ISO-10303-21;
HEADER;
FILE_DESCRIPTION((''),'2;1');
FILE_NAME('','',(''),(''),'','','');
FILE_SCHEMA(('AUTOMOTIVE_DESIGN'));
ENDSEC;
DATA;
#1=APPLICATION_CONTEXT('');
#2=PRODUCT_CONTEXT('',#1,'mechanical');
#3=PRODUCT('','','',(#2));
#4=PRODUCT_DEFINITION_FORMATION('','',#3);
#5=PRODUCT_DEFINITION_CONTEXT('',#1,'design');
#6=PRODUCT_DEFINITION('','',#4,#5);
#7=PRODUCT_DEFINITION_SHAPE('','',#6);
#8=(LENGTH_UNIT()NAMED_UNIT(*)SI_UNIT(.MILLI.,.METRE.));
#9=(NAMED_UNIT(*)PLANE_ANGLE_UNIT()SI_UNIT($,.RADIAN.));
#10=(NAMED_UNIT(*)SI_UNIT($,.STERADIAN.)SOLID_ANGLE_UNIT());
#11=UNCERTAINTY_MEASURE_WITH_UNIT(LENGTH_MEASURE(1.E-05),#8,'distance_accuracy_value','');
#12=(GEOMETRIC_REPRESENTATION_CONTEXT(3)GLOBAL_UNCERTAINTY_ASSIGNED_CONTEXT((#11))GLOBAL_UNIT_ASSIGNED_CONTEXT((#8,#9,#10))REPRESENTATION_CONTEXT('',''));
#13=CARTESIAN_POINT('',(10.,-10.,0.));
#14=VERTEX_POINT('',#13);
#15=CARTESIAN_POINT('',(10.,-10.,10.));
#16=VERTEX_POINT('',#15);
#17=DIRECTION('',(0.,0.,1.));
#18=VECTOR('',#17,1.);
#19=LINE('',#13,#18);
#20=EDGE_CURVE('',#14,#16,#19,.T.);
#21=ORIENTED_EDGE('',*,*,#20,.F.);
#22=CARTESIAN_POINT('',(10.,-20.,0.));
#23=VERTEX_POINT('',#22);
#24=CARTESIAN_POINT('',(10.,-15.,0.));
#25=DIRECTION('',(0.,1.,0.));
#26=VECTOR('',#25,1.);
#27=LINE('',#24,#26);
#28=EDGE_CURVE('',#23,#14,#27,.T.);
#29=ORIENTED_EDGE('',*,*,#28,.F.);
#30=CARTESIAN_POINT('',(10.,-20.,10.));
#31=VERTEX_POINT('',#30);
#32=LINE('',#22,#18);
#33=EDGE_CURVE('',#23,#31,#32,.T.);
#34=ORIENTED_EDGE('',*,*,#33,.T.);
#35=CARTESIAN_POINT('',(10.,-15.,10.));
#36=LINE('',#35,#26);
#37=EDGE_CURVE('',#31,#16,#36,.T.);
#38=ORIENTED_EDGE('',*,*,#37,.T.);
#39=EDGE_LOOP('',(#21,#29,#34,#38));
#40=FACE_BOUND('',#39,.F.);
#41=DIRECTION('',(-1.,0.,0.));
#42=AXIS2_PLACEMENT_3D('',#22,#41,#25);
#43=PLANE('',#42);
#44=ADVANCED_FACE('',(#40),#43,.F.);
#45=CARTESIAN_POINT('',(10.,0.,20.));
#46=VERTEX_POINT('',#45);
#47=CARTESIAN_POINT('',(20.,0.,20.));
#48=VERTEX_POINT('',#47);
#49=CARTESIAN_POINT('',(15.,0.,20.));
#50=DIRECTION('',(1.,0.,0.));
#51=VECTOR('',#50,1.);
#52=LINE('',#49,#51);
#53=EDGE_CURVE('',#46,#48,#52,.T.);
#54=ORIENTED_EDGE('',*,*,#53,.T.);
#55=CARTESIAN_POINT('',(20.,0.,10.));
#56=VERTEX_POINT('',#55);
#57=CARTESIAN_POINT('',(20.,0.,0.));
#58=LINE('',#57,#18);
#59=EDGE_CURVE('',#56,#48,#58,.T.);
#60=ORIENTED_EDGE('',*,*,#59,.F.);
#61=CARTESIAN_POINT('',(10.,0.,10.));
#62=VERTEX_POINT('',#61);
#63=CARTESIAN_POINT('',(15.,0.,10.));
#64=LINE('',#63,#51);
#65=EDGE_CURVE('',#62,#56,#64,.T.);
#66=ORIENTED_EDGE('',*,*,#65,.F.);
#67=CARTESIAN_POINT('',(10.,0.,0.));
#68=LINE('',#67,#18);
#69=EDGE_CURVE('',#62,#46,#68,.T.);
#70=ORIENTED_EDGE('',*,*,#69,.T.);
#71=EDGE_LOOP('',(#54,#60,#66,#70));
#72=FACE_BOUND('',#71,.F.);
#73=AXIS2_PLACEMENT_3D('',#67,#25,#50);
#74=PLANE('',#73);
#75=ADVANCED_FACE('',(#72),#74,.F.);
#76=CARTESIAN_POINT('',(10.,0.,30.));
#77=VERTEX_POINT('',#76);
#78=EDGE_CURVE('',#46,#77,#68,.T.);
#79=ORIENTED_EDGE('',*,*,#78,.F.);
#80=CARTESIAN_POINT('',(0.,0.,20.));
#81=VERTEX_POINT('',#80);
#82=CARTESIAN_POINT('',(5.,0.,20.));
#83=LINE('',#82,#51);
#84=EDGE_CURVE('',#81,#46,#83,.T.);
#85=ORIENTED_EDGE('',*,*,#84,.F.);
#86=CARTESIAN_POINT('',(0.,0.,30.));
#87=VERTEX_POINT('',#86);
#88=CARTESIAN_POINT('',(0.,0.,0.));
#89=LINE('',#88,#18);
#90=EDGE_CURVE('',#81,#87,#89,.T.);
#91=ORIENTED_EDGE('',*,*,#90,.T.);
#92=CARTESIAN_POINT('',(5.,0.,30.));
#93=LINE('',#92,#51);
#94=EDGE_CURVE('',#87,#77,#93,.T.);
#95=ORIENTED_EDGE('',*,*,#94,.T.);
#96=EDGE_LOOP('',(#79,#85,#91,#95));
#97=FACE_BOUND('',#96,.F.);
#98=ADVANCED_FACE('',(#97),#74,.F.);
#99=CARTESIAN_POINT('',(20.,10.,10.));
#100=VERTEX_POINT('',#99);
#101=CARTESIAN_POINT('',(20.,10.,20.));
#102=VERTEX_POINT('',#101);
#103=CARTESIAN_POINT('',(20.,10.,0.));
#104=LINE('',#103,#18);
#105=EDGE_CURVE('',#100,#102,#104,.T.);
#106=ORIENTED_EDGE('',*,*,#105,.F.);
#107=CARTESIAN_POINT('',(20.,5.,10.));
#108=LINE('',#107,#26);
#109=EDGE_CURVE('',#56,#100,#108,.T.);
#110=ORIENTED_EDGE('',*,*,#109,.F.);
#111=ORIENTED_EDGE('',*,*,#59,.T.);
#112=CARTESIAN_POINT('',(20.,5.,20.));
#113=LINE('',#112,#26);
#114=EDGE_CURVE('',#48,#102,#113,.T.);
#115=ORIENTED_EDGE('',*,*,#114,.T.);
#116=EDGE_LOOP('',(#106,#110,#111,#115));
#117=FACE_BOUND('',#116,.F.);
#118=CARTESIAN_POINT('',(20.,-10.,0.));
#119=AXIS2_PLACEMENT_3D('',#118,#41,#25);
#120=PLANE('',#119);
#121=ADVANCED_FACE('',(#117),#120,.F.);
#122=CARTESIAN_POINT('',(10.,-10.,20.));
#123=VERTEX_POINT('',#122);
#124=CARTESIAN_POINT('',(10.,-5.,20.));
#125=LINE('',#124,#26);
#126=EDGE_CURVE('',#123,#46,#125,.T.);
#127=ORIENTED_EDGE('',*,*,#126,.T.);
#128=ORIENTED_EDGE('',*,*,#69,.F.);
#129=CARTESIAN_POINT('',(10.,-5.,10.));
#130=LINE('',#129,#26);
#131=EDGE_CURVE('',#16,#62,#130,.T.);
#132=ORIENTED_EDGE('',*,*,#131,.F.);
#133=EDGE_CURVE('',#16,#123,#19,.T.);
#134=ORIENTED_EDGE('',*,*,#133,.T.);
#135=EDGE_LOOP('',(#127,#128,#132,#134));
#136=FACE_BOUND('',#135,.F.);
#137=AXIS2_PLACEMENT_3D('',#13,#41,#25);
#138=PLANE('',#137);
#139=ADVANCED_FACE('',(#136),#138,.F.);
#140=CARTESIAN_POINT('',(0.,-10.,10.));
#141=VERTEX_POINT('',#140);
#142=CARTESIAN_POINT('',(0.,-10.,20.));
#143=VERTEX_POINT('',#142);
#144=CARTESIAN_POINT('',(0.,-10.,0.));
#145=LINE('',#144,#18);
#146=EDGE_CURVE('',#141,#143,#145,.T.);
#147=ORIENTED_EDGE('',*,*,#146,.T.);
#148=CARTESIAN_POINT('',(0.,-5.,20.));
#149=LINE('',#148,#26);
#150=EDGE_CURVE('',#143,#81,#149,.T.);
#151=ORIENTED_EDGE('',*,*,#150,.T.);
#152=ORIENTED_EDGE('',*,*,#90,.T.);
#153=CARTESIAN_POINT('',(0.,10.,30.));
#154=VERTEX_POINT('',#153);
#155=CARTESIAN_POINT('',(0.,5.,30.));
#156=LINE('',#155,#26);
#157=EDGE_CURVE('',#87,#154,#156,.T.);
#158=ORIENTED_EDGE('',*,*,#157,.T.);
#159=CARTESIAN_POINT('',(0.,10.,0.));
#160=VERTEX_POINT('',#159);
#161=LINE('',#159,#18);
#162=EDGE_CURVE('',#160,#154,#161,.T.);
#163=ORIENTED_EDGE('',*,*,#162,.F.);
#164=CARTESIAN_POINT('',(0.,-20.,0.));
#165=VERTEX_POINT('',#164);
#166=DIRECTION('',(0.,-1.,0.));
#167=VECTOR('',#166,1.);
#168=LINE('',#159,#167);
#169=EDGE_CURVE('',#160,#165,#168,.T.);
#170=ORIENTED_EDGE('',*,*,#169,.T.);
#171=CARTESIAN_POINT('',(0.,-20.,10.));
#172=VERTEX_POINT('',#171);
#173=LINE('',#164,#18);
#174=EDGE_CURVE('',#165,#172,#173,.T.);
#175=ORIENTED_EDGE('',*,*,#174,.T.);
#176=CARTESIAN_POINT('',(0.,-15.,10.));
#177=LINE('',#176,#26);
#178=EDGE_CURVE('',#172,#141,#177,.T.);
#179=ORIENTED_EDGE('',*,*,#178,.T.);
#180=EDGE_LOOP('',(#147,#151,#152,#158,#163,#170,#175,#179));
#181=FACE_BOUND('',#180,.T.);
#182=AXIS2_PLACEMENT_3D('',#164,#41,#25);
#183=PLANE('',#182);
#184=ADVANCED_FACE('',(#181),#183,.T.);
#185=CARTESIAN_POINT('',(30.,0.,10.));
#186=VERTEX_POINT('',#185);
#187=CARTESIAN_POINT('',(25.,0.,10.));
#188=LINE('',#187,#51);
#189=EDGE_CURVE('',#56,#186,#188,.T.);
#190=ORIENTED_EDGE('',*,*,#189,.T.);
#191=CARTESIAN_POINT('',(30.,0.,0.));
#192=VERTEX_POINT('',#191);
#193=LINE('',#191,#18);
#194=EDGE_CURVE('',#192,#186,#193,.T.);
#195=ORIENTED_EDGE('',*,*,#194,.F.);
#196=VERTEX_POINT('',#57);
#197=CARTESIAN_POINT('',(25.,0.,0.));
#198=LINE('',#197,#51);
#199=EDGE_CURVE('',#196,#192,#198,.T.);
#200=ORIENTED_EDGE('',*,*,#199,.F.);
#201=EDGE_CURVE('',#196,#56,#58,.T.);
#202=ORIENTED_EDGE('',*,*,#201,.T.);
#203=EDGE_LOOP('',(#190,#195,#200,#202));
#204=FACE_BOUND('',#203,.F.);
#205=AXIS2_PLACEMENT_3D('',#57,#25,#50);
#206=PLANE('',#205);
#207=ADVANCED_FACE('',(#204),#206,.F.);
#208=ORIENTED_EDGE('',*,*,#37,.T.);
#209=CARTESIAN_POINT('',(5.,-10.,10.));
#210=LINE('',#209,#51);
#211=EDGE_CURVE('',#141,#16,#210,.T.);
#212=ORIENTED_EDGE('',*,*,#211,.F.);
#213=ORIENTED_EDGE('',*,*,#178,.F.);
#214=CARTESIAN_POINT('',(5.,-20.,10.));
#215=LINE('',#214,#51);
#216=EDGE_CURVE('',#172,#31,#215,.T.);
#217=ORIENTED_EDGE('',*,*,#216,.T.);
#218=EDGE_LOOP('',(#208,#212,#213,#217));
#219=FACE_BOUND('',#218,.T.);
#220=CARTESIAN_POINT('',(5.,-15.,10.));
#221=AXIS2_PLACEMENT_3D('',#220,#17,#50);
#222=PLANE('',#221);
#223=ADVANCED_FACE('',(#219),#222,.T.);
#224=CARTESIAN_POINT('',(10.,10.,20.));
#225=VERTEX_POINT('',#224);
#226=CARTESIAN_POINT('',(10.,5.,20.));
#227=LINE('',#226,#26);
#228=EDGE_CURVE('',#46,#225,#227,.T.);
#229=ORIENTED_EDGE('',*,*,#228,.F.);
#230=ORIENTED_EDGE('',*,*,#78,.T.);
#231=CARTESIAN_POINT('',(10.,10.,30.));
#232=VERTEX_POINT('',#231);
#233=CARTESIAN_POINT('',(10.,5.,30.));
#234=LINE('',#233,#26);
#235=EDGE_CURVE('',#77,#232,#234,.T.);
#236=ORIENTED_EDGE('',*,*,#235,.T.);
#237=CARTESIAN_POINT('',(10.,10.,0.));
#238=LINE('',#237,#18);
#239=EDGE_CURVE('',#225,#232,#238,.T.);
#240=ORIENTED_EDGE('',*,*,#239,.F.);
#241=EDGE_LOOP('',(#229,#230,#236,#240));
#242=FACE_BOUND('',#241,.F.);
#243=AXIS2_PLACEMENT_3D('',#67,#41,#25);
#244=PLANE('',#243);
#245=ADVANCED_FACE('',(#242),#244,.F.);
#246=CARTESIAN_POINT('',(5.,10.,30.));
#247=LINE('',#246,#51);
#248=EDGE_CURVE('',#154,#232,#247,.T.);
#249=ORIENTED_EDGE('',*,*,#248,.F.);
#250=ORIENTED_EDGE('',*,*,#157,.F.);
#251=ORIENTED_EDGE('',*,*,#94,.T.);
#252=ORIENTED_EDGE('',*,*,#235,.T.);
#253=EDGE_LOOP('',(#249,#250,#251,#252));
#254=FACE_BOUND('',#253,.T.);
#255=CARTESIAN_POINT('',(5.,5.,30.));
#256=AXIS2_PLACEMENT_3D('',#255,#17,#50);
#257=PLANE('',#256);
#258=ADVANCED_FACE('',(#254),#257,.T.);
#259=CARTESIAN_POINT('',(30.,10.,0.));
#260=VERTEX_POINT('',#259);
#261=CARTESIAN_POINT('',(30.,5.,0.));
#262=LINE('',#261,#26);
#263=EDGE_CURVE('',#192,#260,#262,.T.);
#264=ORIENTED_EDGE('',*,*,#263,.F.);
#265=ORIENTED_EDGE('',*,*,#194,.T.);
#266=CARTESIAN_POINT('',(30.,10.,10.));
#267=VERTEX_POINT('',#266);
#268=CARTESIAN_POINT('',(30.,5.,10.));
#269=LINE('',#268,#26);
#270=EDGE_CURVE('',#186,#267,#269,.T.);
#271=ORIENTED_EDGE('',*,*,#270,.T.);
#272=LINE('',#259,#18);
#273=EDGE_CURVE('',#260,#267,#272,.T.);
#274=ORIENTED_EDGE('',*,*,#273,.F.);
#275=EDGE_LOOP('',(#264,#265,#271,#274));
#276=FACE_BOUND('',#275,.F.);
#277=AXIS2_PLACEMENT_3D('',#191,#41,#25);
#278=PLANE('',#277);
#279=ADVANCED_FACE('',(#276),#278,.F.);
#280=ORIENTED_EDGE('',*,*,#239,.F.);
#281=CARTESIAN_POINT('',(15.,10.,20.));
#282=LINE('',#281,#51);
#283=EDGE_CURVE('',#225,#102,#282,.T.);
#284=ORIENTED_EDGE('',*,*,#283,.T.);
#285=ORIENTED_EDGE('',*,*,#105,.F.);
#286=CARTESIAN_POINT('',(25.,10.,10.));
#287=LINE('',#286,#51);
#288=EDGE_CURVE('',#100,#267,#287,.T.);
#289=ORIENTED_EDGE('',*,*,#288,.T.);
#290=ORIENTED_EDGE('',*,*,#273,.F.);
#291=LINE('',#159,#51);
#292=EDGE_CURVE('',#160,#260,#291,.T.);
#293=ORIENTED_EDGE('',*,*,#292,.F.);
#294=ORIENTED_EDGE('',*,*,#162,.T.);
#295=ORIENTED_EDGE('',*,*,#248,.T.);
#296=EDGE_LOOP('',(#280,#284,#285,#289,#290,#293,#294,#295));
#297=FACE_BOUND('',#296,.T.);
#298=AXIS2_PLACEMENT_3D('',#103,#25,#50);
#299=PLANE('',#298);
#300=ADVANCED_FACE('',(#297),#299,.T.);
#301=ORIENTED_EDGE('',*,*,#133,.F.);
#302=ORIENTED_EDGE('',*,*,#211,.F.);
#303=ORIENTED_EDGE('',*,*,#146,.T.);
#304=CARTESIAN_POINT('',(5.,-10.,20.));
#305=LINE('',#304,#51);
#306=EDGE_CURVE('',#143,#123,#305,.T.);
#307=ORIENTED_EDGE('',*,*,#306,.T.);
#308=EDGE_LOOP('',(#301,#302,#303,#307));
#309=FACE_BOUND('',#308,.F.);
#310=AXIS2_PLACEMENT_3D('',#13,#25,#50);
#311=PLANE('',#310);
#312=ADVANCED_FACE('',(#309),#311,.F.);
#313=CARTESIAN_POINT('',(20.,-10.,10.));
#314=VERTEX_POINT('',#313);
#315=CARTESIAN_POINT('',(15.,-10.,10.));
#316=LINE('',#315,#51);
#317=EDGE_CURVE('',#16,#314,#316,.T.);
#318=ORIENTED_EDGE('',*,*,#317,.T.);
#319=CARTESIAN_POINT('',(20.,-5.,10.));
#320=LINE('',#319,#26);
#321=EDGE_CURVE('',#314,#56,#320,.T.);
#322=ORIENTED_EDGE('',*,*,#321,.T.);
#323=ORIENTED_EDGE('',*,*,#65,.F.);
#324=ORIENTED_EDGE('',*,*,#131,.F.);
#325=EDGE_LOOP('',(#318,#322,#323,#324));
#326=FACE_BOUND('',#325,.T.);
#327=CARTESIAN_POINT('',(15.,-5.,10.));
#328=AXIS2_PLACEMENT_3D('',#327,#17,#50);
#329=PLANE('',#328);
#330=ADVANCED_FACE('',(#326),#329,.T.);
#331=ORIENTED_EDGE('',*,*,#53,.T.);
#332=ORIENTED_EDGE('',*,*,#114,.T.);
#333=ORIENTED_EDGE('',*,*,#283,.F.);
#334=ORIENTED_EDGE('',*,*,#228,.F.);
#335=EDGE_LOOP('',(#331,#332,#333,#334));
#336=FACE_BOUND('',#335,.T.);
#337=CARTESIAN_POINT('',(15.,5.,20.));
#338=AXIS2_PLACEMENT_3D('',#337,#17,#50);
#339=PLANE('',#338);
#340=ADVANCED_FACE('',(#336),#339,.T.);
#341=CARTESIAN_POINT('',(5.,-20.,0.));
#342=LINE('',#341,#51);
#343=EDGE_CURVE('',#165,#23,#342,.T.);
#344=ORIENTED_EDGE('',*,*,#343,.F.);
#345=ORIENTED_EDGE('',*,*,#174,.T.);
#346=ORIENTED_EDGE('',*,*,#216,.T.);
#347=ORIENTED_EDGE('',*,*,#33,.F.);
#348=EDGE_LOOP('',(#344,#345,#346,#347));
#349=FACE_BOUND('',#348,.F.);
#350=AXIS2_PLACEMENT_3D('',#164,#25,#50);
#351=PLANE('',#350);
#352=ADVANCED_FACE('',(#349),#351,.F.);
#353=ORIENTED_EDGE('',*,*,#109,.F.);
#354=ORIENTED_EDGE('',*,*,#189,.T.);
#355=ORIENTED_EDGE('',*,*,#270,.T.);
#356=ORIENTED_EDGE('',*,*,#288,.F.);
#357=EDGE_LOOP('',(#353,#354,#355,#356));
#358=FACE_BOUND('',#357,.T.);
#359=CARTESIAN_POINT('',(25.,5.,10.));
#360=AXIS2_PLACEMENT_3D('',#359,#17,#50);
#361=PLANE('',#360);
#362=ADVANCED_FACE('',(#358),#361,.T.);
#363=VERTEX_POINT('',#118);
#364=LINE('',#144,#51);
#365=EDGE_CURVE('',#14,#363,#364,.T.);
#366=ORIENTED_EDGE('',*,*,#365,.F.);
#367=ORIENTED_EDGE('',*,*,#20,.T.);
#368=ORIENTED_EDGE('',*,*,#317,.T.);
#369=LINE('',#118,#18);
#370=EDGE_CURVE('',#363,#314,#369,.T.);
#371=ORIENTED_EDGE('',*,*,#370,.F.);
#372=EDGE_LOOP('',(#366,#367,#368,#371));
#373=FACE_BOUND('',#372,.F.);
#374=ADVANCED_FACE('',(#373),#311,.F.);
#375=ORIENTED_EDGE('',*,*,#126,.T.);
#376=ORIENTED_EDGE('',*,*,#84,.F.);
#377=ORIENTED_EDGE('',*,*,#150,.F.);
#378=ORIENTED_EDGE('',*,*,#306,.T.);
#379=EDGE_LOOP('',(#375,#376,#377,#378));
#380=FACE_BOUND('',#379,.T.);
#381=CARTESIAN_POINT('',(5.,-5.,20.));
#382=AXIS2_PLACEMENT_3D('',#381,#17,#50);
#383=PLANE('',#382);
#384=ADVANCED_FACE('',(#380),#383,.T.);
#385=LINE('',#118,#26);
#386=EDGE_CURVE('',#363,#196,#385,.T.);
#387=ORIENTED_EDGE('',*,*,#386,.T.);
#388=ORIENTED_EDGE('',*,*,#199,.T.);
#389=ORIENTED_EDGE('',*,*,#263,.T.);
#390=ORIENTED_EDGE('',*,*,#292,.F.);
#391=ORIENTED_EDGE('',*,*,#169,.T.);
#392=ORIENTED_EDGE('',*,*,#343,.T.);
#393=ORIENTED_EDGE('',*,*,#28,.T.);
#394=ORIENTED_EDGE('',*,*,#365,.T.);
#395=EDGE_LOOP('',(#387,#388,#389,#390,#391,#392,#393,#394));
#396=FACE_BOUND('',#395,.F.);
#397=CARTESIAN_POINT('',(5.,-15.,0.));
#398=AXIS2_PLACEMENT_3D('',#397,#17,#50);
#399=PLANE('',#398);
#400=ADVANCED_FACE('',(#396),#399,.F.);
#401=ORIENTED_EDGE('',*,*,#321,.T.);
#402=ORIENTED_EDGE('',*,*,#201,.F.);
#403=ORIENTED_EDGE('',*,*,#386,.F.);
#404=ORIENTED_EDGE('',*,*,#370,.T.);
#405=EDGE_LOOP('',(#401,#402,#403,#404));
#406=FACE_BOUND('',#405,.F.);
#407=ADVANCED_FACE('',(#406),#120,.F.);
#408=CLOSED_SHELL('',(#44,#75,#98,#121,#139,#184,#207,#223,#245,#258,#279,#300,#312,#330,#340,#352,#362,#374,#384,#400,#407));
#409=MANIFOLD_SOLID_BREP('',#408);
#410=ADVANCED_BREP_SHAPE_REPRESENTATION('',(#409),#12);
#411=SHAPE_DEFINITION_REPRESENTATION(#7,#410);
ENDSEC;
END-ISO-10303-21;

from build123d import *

# Parameters (mm, degrees)
BOX001_W     = 10
BOX001_H     = 10
BOX001_DEPTH = 20
BOX002_W     = 10
BOX002_H     = 10
BOX002_DEPTH = 20
BOX003_W     = 10
BOX003_H     = 10
BOX003_DEPTH = 10
BOX004_W     = 10
BOX004_H     = 10
BOX004_DEPTH = 10
BOX005_W     = 10
BOX005_H     = 10
BOX005_DEPTH = 10
BOX_W        = 10
BOX_H        = 10
BOX_DEPTH    = 30


with BuildPart() as cubo2:
    # Box001 → Box001 (new body)
    with BuildSketch(Plane(origin=(10, 0, 0), x_dir=(1, 0, 0), z_dir=(0, 0, 1))):
        with Locations((5, 5)):
            Rectangle(BOX001_W, BOX001_H)
    extrude(amount=BOX001_DEPTH)


with BuildPart() as cubo3:
    # Box002 → Box002 (new body)
    with BuildSketch(Plane(origin=(0, -10, 0), x_dir=(1, 0, 0), z_dir=(0, 0, 1))):
        with Locations((5, 5)):
            Rectangle(BOX002_W, BOX002_H)
    extrude(amount=BOX002_DEPTH)


with BuildPart() as cubo4:
    # Box003 → Box003 (new body)
    with BuildSketch(Plane(origin=(10, -10, 0), x_dir=(1, 0, 0), z_dir=(0, 0, 1))):
        with Locations((5, 5)):
            Rectangle(BOX003_W, BOX003_H)
    extrude(amount=BOX003_DEPTH)


with BuildPart() as cubo5:
    # Box004 → Box004 (new body)
    with BuildSketch(Plane(origin=(20, 0, 0), x_dir=(1, 0, 0), z_dir=(0, 0, 1))):
        with Locations((5, 5)):
            Rectangle(BOX004_W, BOX004_H)
    extrude(amount=BOX004_DEPTH)


with BuildPart() as cubo6:
    # Box005 → Box005 (new body)
    with BuildSketch(Plane(origin=(0, -20, 0), x_dir=(1, 0, 0), z_dir=(0, 0, 1))):
        with Locations((5, 5)):
            Rectangle(BOX005_W, BOX005_H)
    extrude(amount=BOX005_DEPTH)


with BuildPart() as fusion:
    # Box → Box (new body)
    with BuildSketch(Plane.XY):
        with Locations((5, 5)):
            Rectangle(BOX_W, BOX_H)
    extrude(amount=BOX_DEPTH)

    # Fusion: union cubo2, cubo3, cubo4, cubo5, cubo6
    add(cubo2.part)
    add(cubo3.part)
    add(cubo4.part)
    add(cubo5.part)
    add(cubo6.part)


solid = fusion.part
